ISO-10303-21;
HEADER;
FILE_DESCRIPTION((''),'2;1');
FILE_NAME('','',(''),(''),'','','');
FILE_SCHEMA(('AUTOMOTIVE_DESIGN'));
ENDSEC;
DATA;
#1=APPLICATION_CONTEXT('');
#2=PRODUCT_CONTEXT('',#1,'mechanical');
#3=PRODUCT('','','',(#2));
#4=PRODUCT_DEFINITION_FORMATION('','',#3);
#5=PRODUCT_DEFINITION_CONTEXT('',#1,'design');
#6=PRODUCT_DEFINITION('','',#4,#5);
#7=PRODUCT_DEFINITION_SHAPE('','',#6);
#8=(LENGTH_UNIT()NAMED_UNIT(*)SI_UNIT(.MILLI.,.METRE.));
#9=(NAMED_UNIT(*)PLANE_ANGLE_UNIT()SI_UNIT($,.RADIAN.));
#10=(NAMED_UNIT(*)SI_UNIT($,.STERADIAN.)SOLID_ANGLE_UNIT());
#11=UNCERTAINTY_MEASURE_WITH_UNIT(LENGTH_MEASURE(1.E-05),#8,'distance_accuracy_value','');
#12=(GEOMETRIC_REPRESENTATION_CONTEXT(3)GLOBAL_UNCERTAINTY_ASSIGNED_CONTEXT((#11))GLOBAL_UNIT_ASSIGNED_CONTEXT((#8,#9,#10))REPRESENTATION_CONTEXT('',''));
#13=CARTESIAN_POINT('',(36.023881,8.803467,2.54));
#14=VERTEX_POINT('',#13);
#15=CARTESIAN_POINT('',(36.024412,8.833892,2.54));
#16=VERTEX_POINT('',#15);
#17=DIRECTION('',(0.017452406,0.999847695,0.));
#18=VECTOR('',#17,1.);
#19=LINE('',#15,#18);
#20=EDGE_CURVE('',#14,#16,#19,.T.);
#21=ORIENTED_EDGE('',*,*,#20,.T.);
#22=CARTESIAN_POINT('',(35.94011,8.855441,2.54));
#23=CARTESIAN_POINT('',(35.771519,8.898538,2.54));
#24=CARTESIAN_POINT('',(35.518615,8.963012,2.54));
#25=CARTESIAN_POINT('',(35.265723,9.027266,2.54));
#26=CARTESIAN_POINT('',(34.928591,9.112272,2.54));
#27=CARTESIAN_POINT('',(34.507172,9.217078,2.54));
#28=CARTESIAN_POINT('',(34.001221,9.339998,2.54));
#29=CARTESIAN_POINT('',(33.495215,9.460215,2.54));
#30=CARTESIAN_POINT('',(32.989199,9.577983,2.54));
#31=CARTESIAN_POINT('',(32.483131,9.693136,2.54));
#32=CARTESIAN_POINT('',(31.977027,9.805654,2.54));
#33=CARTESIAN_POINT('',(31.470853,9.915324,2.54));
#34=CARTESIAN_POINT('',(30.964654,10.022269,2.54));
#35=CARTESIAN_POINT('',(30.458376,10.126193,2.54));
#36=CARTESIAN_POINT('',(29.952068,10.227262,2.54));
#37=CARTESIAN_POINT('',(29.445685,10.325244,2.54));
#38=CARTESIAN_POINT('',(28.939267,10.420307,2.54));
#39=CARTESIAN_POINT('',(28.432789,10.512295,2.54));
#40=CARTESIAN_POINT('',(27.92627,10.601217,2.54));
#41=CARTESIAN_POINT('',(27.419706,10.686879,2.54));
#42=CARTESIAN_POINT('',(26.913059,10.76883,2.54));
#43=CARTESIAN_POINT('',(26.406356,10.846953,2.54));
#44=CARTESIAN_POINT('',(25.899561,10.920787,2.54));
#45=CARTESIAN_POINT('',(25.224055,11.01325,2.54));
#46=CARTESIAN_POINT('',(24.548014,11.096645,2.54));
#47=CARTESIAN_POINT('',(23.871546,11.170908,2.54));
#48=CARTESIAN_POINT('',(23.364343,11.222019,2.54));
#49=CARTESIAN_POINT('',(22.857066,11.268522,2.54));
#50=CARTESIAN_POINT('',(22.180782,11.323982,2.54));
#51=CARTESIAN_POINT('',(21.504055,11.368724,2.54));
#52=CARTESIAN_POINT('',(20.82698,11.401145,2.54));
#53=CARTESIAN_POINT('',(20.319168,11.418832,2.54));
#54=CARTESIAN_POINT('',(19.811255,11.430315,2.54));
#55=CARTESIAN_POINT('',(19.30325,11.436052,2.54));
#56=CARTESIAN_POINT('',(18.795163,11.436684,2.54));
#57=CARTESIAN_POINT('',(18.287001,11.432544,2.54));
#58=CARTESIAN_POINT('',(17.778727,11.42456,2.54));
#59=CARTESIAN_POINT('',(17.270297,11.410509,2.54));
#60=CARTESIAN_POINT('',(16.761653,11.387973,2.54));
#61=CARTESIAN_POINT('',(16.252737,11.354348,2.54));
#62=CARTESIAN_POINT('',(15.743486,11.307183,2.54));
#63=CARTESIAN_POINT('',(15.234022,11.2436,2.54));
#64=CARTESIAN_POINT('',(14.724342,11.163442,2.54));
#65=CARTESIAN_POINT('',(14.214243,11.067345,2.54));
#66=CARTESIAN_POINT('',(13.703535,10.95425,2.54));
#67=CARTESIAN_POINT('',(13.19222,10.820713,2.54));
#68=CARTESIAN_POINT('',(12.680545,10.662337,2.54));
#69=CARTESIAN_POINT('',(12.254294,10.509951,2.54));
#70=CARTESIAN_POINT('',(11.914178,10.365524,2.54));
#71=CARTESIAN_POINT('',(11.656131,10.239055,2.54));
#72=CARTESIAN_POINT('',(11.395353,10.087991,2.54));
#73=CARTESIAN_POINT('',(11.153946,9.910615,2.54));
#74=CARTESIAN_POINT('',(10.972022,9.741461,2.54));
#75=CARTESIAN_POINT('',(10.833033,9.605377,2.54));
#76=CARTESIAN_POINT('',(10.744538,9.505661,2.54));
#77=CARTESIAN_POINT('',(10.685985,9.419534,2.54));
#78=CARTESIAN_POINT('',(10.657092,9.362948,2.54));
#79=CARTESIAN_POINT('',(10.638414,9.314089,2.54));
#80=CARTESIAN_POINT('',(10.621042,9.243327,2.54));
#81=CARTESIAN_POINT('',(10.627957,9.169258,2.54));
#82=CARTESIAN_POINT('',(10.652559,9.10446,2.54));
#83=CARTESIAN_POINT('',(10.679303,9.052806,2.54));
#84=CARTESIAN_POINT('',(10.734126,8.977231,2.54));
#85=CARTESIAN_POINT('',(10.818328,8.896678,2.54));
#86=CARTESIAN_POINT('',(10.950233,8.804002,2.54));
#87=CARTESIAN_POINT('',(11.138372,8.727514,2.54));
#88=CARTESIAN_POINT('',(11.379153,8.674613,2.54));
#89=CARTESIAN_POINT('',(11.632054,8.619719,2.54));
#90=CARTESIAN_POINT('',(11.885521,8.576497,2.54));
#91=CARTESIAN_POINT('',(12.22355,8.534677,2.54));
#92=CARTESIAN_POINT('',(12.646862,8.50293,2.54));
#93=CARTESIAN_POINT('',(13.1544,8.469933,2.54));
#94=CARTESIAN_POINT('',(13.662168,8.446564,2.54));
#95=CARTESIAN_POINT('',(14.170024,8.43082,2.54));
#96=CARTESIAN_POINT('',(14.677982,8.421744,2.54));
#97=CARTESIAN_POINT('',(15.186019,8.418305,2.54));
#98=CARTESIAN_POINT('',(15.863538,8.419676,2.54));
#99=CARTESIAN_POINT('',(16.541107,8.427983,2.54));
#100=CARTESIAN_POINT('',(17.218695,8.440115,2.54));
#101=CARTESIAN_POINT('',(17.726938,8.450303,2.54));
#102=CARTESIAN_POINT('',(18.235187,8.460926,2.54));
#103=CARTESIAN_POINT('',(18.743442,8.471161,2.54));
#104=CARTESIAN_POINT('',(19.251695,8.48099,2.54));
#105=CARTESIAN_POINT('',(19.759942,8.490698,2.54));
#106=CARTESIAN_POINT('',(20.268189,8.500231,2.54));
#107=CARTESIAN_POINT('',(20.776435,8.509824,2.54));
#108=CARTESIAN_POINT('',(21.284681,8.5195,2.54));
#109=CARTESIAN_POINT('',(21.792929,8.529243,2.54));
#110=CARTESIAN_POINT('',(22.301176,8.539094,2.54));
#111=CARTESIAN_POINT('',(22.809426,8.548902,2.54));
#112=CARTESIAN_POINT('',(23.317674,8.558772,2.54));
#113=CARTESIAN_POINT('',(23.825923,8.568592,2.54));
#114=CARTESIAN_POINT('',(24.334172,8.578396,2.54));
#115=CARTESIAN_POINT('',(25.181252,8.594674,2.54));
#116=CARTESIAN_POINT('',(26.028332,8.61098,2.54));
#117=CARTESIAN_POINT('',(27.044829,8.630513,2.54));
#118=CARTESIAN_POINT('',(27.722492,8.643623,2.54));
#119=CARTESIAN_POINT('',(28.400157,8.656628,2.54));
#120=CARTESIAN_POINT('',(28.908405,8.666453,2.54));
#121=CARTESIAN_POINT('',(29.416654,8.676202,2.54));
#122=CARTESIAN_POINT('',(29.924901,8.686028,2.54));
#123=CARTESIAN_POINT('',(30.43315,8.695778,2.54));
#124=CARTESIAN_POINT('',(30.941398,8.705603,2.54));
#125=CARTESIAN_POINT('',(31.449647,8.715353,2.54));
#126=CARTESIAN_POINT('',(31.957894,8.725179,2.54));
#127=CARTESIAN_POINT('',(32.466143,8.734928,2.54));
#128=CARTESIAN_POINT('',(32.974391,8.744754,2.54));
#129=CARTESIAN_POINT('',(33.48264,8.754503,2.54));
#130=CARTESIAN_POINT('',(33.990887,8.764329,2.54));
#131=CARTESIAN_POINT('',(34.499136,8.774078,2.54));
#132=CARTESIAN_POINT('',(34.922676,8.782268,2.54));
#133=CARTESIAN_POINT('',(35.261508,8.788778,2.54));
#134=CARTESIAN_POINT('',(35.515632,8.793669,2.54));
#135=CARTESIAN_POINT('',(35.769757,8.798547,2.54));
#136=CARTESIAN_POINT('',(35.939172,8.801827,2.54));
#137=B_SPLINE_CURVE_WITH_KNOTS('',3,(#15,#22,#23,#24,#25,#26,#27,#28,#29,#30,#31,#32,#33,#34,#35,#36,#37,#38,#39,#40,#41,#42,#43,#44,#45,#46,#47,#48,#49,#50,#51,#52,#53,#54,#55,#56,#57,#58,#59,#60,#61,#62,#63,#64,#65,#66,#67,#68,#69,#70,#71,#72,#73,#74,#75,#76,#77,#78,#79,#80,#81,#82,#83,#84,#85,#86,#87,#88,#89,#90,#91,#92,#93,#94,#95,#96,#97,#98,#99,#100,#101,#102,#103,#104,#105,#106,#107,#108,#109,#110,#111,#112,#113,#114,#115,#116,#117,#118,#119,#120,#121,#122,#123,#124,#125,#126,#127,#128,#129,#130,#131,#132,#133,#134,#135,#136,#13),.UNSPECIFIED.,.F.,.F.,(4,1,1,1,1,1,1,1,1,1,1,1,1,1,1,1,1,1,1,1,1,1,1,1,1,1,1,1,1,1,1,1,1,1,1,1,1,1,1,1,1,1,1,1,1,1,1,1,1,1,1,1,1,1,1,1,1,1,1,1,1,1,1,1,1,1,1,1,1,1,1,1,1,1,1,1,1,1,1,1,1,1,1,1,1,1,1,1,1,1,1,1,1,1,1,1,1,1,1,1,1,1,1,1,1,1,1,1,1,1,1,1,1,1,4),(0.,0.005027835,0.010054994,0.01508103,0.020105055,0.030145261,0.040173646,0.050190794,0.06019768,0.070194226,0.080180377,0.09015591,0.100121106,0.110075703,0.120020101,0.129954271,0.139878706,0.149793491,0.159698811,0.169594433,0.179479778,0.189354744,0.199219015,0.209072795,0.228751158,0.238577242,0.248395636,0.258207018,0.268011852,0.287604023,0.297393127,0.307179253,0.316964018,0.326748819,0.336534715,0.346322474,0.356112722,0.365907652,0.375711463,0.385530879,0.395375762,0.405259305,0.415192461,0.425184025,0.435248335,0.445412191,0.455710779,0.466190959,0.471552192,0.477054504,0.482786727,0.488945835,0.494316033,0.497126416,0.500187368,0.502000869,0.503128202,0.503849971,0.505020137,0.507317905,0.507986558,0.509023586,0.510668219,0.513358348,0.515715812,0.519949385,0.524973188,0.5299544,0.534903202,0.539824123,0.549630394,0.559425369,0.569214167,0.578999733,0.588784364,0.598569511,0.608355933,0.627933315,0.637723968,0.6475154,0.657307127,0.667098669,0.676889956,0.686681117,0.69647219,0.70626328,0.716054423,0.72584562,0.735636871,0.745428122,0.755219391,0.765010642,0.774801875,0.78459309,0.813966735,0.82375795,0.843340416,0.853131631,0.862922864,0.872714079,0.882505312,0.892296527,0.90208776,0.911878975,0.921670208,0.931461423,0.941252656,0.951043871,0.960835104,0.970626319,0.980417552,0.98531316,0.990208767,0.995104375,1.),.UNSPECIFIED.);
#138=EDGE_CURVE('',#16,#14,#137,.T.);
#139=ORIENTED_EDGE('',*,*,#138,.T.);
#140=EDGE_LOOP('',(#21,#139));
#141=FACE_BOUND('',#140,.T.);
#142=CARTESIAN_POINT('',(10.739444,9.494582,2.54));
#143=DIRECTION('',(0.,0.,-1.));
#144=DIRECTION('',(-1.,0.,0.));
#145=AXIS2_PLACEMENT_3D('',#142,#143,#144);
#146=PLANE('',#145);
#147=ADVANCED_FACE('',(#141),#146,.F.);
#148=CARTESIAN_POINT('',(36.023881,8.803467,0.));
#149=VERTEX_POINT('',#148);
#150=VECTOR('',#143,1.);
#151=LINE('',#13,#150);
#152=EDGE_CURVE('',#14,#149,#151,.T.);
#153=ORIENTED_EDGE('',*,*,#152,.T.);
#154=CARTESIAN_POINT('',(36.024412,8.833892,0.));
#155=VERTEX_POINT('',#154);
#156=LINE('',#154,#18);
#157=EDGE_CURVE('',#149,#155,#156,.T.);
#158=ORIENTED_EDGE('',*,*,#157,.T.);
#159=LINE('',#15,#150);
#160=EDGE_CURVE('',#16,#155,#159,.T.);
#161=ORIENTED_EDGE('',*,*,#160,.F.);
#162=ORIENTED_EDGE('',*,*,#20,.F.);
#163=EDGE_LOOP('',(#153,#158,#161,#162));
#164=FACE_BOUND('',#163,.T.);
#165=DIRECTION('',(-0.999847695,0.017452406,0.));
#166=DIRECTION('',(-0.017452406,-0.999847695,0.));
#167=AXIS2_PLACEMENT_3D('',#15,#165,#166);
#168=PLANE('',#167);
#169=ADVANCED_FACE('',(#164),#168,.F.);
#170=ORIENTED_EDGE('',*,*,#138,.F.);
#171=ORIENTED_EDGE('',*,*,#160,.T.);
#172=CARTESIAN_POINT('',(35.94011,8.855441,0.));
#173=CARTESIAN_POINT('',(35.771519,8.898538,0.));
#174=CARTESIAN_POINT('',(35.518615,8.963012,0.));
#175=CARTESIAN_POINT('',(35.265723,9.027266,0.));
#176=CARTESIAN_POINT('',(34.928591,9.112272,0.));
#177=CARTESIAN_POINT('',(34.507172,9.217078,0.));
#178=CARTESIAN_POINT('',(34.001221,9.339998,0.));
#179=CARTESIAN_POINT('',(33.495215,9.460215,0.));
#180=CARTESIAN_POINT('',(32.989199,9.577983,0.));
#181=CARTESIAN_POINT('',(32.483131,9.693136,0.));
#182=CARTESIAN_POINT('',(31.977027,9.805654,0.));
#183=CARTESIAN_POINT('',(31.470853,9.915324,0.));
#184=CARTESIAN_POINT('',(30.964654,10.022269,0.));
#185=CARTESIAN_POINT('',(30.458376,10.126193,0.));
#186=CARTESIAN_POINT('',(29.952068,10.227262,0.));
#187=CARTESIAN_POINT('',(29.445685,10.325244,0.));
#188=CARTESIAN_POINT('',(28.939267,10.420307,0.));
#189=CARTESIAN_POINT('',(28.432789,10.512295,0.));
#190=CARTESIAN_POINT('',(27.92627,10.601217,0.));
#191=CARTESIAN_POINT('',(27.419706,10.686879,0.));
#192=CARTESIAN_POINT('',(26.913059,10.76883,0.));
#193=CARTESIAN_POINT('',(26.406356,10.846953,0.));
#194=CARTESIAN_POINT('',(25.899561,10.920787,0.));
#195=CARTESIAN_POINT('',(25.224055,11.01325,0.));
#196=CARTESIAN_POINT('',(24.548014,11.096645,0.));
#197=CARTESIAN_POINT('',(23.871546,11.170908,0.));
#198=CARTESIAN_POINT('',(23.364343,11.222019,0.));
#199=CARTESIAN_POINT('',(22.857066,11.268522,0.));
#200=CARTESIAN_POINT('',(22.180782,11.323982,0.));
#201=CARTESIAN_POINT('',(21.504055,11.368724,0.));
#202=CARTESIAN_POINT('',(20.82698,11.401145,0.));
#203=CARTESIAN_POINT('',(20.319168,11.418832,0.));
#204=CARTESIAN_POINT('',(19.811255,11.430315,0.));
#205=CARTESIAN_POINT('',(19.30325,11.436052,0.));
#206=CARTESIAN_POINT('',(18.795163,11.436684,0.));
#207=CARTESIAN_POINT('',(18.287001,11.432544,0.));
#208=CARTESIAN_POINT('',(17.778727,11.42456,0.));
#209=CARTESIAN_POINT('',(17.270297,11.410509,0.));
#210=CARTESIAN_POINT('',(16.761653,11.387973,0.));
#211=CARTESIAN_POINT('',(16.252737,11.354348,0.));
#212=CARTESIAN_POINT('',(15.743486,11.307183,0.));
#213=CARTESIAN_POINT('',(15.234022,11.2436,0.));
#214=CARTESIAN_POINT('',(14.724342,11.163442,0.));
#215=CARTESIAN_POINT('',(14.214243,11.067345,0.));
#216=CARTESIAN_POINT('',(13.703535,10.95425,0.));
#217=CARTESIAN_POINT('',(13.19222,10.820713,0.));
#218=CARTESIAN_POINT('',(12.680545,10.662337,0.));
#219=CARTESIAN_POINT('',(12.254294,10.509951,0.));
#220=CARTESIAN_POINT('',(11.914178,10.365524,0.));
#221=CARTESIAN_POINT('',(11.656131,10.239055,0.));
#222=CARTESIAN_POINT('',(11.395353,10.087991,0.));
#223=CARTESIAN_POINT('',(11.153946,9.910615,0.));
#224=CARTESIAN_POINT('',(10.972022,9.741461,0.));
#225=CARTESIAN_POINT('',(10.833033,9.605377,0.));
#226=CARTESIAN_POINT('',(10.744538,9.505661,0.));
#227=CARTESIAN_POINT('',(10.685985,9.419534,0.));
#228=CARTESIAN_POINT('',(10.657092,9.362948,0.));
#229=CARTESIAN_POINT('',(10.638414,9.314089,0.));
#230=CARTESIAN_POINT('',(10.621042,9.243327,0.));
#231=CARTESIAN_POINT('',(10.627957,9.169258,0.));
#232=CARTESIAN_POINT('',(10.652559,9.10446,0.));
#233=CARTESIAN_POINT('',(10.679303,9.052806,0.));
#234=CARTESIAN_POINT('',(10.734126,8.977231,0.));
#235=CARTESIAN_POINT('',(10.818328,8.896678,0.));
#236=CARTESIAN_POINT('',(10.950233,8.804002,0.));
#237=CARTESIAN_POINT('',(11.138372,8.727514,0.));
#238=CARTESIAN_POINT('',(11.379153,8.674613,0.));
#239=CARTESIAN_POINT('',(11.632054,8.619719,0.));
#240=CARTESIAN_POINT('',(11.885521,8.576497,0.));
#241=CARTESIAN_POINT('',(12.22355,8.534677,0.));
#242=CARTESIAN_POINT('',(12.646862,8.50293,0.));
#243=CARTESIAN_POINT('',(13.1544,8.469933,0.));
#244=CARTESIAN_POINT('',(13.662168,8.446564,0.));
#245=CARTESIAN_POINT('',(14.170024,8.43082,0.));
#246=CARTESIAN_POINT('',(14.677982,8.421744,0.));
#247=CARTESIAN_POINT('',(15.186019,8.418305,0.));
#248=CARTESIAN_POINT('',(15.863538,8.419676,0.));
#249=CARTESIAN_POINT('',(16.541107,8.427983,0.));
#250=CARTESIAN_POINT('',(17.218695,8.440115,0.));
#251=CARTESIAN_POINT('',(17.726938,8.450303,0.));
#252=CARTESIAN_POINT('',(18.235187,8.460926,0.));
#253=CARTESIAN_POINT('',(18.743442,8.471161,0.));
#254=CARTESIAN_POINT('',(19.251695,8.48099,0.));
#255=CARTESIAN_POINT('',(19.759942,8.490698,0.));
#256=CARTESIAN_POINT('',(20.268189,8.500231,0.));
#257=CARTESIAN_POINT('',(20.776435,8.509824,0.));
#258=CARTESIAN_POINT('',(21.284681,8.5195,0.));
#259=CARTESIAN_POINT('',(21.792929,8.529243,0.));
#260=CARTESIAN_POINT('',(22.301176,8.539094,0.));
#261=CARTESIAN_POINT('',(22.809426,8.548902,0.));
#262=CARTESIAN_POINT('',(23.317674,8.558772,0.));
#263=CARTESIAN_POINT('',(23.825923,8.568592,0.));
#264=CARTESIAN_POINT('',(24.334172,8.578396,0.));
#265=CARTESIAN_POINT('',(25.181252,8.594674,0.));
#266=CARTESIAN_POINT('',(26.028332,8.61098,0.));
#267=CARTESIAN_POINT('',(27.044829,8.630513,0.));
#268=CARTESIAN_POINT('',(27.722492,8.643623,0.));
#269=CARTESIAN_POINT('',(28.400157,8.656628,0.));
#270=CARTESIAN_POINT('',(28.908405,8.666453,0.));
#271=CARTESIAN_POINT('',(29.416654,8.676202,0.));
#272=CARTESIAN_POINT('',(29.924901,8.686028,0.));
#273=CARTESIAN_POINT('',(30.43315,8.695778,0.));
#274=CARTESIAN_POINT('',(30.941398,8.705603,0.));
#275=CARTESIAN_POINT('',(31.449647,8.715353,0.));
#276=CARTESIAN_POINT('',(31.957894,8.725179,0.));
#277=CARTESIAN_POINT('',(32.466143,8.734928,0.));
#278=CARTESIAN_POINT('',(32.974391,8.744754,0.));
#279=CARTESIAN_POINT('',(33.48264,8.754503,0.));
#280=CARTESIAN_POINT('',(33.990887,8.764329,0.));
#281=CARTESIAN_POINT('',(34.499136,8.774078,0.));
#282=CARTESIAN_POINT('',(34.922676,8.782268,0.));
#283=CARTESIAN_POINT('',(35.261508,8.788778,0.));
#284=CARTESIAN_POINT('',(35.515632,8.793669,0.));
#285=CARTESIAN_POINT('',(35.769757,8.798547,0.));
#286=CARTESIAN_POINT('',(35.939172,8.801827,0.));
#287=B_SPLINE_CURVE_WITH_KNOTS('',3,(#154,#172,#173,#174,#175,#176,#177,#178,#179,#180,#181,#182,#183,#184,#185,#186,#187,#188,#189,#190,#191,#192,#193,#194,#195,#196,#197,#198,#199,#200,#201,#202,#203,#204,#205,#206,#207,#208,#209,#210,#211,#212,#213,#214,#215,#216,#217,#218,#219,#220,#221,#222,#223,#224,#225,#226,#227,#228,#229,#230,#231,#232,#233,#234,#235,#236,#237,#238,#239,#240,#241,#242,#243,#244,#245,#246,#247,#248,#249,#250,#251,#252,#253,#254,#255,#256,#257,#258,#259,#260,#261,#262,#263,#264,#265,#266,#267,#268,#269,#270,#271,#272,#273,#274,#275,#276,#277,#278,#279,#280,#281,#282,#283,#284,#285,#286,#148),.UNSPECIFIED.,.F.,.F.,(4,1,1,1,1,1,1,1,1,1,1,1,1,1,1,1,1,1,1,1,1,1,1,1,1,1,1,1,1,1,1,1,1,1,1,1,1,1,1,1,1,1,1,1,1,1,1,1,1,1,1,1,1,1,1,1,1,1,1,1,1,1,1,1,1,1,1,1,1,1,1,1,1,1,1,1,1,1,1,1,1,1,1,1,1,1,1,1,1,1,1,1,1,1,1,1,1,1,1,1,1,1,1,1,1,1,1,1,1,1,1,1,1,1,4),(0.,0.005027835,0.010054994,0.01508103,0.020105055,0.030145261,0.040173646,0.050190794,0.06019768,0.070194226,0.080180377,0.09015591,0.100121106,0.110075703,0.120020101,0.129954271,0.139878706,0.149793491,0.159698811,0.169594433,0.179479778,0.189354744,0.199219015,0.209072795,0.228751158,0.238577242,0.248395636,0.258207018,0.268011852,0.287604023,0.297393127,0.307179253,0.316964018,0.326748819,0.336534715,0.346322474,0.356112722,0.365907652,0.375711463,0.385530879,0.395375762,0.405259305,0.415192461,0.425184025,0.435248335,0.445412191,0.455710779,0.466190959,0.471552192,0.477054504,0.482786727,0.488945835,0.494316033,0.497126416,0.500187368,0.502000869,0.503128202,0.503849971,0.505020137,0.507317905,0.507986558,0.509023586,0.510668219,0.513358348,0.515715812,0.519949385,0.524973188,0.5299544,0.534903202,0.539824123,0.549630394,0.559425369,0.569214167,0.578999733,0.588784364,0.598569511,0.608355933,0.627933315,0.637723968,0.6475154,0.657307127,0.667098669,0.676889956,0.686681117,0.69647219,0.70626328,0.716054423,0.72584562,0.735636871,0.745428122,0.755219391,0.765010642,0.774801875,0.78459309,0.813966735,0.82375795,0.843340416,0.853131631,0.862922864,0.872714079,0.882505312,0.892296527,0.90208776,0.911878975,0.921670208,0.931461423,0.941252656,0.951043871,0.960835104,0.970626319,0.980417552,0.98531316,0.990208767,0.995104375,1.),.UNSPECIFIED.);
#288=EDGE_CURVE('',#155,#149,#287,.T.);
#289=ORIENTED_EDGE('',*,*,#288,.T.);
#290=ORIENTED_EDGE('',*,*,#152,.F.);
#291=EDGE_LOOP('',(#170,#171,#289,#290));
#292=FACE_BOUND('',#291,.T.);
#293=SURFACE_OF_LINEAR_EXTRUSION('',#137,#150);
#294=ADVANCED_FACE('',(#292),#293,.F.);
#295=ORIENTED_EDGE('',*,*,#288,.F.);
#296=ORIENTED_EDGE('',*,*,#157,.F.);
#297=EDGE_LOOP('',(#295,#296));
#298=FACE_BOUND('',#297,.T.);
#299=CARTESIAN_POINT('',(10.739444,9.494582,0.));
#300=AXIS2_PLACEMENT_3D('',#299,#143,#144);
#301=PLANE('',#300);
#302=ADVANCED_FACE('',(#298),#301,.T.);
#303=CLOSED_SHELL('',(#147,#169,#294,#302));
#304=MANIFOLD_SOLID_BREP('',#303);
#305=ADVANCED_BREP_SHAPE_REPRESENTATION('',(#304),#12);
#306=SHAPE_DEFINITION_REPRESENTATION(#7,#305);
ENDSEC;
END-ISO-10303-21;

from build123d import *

# Parameters (mm, degrees)
BOSS_EXTRUDE2_DEPTH = 2.54


with BuildPart() as part:
    # Sketch3 → Boss-Extrude2 (new body)
    with BuildSketch(Plane.XY):
        with BuildLine():
            Line((36.024411623, 8.833891622), (36.02388056, 8.803467057))
            add(Edge.make_bspline(
                [(36.024411623, 8.833891622), (35.940110388, 8.855441356), (35.771519255, 8.898537925), (35.518615007, 8.963011805), (35.265722854, 9.027266219), (34.928591121, 9.112272012), (34.507172005, 9.217078304), (34.0012213, 9.339997501), (33.495215114, 9.460214811), (32.989199058, 9.577983136), (32.48313133, 9.693135775), (31.977026869, 9.805653875), (31.470852828, 9.915324305), (30.964653802, 10.022269088), (30.458375988, 10.126193468), (29.952067877, 10.227262376), (29.44568476, 10.325243801), (28.939267234, 10.420306964), (28.432789251, 10.512294848), (27.926270226, 10.601216532), (27.419705617, 10.686879037), (26.91305893, 10.768830199), (26.406356054, 10.846953058), (25.899561465, 10.920786933), (25.224054974, 11.013250433), (24.548014145, 11.096644584), (23.871545959, 11.170908369), (23.364343088, 11.222018928), (22.857065854, 11.268521755), (22.180782102, 11.323982016), (21.504055467, 11.368723765), (20.826979629, 11.401145483), (20.319167901, 11.41883215), (19.811254634, 11.430314504), (19.303250194, 11.436051563), (18.795163182, 11.436684193), (18.287001233, 11.432544236), (17.778727325, 11.424559687), (17.270296965, 11.410509235), (16.7616525, 11.387972978), (16.252737458, 11.354348129), (15.743486133, 11.30718323), (15.234022462, 11.243599524), (14.724342336, 11.163441883), (14.21424305, 11.067344935), (13.703535389, 10.954250255), (13.192219549, 10.820713303), (12.680544889, 10.662337201), (12.254293529, 10.509950861), (11.914178011, 10.36552408), (11.656131189, 10.239055252), (11.39535284, 10.087990772), (11.153946026, 9.910615464), (10.972021943, 9.741461387), (10.833033212, 9.605377467), (10.744537646, 9.505661086), (10.685985365, 9.419533646), (10.657092351, 9.362948091), (10.638413815, 9.314088843), (10.621042049, 9.243327339), (10.627957303, 9.169257678), (10.652558737, 9.104459717), (10.679303152, 9.052806078), (10.734126026, 8.977230661), (10.818328295, 8.896678267), (10.950232943, 8.804001665), (11.13837206, 8.727513541), (11.379153173, 8.674613085), (11.632053685, 8.61971888), (11.885521076, 8.576496999), (12.223550281, 8.534677341), (12.646862058, 8.502929726), (13.154399589, 8.469933459), (13.662167573, 8.446563589), (14.170024357, 8.430820118), (14.677982199, 8.421744425), (15.186018626, 8.418305106), (15.863538003, 8.419675757), (16.541106898, 8.427983487), (17.218695237, 8.440114735), (17.726938158, 8.450303495), (18.23518743, 8.46092624), (18.743442215, 8.471161301), (19.251695171, 8.480990448), (19.759942312, 8.490698241), (20.268189365, 8.500230588), (20.77643495, 8.50982429), (21.284681138, 8.519500241), (21.792928839, 8.529242869), (22.301176315, 8.539093642), (22.80942585, 8.548902184), (23.317674207, 8.558771637), (23.825923203, 8.568591963), (24.334171589, 8.578395578), (25.181252155, 8.594674282), (26.02833189, 8.610980061), (27.044828845, 8.630513114), (27.722491994, 8.643623139), (28.40015748, 8.656627994), (28.908404839, 8.666452604), (29.416653948, 8.676202468), (29.924901288, 8.68602809), (30.433150402, 8.695777683), (30.94139774, 8.705603378), (31.449646855, 8.715352951), (31.957894193, 8.725178651), (32.466143308, 8.734928221), (32.974390646, 8.744753928), (33.482639762, 8.754503476), (33.990887098, 8.764329267), (34.499136219, 8.774078498), (34.922675699, 8.782267643), (35.261508136, 8.788777883), (35.515632072, 8.79366878), (35.769756558, 8.798547339), (35.939172456, 8.801827149), (36.02388056, 8.803467057)],
                knots=[0, 0, 0, 0, 0.005027835, 0.010054994, 0.01508103, 0.020105055, 0.030145261, 0.040173646, 0.050190794, 0.06019768, 0.070194226, 0.080180377, 0.09015591, 0.100121106, 0.110075703, 0.120020101, 0.129954271, 0.139878706, 0.149793491, 0.159698811, 0.169594433, 0.179479778, 0.189354744, 0.199219015, 0.209072795, 0.228751158, 0.238577242, 0.248395636, 0.258207018, 0.268011852, 0.287604023, 0.297393127, 0.307179253, 0.316964018, 0.326748819, 0.336534715, 0.346322474, 0.356112722, 0.365907652, 0.375711463, 0.385530879, 0.395375762, 0.405259305, 0.415192461, 0.425184025, 0.435248335, 0.445412191, 0.455710779, 0.466190959, 0.471552192, 0.477054504, 0.482786727, 0.488945835, 0.494316033, 0.497126416, 0.500187368, 0.502000869, 0.503128202, 0.503849971, 0.505020137, 0.507317905, 0.507986558, 0.509023586, 0.510668219, 0.513358348, 0.515715812, 0.519949385, 0.524973188, 0.5299544, 0.534903202, 0.539824123, 0.549630394, 0.559425369, 0.569214167, 0.578999733, 0.588784364, 0.598569511, 0.608355933, 0.627933315, 0.637723968, 0.6475154, 0.657307127, 0.667098669, 0.676889956, 0.686681117, 0.69647219, 0.70626328, 0.716054423, 0.72584562, 0.735636871, 0.745428122, 0.755219391, 0.765010642, 0.774801875, 0.78459309, 0.813966735, 0.82375795, 0.843340416, 0.853131631, 0.862922864, 0.872714079, 0.882505312, 0.892296527, 0.90208776, 0.911878975, 0.921670208, 0.931461423, 0.941252656, 0.951043871, 0.960835104, 0.970626319, 0.980417552, 0.98531316, 0.990208767, 0.995104375, 1, 1, 1, 1], degree=3))
        make_face()
    extrude(amount=BOSS_EXTRUDE2_DEPTH)


solid = part.part
